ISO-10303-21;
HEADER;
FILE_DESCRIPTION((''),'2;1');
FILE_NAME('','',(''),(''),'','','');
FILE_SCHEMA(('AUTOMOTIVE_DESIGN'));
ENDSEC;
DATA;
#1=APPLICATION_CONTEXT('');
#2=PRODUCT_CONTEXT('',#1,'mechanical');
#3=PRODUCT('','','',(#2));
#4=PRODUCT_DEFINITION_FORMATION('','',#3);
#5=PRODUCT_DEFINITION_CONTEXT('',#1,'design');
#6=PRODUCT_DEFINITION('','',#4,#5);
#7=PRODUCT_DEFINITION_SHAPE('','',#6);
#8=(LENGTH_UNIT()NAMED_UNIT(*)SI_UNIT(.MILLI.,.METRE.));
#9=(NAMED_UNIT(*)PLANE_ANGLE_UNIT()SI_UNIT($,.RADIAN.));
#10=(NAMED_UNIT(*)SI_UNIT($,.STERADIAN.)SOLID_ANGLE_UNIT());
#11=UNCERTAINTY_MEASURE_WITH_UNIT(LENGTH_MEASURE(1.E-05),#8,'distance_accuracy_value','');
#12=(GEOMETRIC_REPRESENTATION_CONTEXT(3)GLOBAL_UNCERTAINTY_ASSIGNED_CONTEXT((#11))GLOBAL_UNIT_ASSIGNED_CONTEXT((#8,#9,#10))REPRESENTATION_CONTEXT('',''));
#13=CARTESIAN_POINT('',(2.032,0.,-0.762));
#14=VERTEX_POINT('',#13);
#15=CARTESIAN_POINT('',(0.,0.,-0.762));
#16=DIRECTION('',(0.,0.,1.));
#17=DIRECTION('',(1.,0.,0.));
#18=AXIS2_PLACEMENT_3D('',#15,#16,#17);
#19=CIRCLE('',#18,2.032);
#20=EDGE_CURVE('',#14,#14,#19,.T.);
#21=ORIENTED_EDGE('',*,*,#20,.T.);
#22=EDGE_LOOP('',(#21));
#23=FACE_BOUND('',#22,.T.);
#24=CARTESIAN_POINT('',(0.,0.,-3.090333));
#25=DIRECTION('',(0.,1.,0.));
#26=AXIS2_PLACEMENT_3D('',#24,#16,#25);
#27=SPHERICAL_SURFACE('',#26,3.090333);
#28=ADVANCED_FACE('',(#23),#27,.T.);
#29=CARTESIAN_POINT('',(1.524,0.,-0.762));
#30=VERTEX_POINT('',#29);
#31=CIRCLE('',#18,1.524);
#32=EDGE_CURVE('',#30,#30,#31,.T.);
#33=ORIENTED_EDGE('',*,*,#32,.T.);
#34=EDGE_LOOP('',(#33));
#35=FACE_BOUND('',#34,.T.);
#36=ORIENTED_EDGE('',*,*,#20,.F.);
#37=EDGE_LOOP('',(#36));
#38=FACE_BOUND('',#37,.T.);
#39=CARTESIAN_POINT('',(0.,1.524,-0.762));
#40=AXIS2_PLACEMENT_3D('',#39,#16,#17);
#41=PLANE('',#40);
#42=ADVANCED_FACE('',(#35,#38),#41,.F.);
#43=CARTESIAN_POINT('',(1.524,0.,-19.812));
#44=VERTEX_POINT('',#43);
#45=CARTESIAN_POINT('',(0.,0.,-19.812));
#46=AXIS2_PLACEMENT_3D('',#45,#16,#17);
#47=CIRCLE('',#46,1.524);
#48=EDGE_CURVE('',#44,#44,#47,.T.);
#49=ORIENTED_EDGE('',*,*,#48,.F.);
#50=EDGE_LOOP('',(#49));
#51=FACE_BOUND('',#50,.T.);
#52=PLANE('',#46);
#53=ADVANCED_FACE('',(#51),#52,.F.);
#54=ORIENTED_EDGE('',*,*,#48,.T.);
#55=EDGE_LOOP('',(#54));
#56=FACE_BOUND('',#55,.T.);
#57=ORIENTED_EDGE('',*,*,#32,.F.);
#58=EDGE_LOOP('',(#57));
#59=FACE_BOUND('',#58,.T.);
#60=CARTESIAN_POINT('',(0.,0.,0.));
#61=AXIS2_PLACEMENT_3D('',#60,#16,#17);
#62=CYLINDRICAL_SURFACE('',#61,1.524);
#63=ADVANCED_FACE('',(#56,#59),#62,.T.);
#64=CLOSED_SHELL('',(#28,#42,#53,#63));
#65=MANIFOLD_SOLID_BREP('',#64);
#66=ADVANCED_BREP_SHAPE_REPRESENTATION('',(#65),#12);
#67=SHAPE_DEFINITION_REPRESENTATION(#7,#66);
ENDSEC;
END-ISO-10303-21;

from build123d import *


with BuildPart() as part:
    # Sketch1 → Revolve1 (revolve)
    with BuildSketch(Plane(origin=(0, 0, 0), x_dir=(0, 0, -1), z_dir=(1, 0, 0))):
        with BuildLine():
            Line((0, 0), (19.812, 0))
            Line((19.812, 0), (19.812, 1.524))
            Line((19.812, 1.524), (0.762, 1.524))
            Line((0.762, 1.524), (0.762, 2.032))
            ThreePointArc((0.762, 2.032), (0.196764065, 1.085088476), (0, 0))
        make_face()
    revolve(axis=Axis((0, 0, 0), (0, 0, -1)))


solid = part.part
